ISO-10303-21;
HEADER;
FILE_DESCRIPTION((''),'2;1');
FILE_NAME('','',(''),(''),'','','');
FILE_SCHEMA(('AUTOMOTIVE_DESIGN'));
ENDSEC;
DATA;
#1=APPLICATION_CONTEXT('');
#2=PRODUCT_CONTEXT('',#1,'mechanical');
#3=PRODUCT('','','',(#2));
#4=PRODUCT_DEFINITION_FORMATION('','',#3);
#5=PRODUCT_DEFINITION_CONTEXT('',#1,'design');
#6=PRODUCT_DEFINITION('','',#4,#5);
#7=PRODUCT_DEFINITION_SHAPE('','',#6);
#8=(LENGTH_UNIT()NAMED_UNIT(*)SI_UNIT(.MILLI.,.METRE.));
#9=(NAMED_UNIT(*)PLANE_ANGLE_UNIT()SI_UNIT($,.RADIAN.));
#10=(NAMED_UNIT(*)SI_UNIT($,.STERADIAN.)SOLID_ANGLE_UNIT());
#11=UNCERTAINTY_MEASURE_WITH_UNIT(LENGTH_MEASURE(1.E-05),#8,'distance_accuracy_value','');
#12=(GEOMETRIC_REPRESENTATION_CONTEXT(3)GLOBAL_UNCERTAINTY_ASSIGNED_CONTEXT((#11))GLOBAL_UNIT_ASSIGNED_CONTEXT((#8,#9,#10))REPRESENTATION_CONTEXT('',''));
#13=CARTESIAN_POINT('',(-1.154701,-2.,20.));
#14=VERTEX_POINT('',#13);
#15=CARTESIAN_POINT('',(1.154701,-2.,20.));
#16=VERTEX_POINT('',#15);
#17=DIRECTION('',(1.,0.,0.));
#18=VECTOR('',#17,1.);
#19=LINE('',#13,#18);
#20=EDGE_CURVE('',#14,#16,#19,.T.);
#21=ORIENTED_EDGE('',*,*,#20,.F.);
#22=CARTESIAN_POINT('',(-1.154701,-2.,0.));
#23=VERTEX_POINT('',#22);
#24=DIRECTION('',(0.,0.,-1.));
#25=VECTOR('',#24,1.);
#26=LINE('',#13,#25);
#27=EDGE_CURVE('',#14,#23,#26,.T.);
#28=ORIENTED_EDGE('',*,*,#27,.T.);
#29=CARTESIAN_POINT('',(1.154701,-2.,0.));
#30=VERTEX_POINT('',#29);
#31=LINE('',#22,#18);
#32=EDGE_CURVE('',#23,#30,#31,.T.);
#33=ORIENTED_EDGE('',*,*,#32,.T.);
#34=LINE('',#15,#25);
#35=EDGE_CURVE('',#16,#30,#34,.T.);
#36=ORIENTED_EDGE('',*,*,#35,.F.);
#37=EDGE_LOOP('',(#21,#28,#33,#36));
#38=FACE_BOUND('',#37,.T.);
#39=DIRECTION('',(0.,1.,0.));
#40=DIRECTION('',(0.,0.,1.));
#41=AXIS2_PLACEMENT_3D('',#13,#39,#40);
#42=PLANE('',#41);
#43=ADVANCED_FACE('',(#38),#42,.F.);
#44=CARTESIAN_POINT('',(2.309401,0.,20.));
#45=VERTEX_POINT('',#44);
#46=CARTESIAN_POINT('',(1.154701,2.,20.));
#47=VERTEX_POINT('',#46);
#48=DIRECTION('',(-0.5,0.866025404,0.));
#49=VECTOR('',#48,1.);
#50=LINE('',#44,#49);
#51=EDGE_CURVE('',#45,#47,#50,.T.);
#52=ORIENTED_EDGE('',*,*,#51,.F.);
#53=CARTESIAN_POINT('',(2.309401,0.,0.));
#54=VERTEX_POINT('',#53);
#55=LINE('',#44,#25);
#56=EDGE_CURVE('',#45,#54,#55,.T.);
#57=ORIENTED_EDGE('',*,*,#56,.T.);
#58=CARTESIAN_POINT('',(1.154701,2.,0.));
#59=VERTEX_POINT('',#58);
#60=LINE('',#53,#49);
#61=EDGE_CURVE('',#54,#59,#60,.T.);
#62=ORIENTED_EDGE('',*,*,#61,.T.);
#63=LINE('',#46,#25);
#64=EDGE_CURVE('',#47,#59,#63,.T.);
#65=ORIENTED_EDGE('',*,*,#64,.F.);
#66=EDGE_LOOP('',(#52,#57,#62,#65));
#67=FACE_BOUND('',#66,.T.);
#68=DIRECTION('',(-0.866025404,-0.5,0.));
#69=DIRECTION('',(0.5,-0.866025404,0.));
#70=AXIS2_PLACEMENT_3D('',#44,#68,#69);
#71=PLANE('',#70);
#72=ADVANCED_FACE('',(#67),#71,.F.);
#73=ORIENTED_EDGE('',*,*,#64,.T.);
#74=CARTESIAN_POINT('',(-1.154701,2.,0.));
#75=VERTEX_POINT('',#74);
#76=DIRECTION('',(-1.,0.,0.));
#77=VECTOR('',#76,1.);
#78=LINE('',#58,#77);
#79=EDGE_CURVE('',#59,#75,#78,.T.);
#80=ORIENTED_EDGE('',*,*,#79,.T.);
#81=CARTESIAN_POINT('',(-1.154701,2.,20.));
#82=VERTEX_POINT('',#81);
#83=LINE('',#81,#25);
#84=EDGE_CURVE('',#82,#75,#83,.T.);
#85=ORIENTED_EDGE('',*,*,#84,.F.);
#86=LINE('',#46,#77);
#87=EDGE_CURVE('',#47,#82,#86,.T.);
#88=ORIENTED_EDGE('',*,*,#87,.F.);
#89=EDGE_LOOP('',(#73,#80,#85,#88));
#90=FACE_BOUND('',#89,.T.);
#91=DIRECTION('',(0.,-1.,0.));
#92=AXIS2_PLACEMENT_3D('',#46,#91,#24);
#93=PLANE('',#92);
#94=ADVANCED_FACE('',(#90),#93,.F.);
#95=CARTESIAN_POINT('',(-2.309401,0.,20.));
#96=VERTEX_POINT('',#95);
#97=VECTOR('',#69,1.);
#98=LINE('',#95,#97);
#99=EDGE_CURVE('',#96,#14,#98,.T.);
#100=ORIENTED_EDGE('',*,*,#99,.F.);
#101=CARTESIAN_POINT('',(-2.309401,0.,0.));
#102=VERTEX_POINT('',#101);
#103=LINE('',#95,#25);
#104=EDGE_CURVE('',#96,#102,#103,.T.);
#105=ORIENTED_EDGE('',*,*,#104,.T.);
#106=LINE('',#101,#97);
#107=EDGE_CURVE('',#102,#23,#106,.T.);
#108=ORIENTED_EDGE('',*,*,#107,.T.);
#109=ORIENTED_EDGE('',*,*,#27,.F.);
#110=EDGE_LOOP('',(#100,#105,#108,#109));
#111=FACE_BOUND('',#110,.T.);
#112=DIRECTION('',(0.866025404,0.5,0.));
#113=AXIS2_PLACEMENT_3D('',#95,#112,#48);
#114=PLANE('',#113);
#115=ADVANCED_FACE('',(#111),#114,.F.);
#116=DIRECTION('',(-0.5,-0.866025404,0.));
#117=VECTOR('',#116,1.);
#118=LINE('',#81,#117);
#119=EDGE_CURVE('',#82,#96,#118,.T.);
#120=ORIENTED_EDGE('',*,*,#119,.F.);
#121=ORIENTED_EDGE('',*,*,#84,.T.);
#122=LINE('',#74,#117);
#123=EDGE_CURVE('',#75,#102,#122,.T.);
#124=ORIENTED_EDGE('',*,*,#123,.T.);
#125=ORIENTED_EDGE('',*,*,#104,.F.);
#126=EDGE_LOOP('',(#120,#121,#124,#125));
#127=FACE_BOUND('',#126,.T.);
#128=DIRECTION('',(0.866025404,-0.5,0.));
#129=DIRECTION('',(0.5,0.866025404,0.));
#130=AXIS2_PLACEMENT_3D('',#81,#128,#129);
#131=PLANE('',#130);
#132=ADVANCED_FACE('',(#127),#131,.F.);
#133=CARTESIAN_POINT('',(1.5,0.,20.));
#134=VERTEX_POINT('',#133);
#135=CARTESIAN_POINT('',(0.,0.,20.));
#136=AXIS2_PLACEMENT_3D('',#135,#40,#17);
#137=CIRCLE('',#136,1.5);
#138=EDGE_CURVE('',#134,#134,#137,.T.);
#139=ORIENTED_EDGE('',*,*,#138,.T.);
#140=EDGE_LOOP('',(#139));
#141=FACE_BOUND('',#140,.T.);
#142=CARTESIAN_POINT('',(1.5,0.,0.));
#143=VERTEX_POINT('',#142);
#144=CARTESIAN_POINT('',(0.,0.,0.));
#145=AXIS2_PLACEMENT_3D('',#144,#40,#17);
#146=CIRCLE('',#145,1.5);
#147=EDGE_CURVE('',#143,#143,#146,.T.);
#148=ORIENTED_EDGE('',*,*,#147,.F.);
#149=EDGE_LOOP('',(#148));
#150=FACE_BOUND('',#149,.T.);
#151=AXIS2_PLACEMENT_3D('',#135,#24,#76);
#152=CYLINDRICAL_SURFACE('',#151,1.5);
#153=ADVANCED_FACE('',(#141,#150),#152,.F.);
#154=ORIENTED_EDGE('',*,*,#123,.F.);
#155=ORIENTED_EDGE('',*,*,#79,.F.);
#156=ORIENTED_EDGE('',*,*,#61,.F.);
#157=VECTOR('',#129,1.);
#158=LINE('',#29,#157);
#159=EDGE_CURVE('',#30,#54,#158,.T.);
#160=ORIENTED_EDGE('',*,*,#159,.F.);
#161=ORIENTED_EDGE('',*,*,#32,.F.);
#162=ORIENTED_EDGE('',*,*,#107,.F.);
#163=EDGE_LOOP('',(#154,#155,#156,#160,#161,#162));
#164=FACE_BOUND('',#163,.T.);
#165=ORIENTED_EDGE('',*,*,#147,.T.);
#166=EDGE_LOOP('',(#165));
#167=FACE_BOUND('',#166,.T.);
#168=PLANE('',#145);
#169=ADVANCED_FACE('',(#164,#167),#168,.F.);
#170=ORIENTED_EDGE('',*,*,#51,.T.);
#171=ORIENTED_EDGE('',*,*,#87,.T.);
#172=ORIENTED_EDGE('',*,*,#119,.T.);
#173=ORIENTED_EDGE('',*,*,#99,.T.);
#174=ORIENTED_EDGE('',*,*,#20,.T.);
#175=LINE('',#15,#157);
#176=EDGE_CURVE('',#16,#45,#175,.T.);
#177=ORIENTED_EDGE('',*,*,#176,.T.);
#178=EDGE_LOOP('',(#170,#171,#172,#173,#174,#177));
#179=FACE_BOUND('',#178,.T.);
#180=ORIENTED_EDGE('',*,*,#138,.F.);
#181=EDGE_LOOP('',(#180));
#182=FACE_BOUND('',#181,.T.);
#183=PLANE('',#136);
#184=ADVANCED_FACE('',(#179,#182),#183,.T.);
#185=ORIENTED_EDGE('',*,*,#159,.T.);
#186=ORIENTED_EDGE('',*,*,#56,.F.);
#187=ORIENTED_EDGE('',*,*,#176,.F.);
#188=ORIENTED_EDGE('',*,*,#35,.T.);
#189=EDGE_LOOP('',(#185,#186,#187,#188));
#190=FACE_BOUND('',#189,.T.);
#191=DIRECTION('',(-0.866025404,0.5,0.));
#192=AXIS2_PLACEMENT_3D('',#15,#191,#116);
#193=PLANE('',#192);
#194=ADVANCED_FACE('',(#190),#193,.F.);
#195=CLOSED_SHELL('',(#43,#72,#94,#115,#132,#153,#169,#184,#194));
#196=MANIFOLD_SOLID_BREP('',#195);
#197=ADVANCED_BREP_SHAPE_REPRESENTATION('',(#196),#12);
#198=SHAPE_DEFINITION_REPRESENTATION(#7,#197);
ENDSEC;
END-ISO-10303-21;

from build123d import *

# Parameters (mm, degrees)
SKETCH_1_R      = 1.5
EXTRUDE_1_DEPTH = 20


with BuildPart() as part:
    # 草图1 → 凸台-拉伸1 (new body)
    with BuildSketch(Plane.XY):
        Polygon((2.309401077, 0), (1.154700538, 2), (-1.154700538, 2), (-2.309401077, 0), (-1.154700538, -2), (1.154700538, -2), align=None)
        Circle(SKETCH_1_R, mode=Mode.SUBTRACT)
    extrude(amount=EXTRUDE_1_DEPTH)


solid = part.part
